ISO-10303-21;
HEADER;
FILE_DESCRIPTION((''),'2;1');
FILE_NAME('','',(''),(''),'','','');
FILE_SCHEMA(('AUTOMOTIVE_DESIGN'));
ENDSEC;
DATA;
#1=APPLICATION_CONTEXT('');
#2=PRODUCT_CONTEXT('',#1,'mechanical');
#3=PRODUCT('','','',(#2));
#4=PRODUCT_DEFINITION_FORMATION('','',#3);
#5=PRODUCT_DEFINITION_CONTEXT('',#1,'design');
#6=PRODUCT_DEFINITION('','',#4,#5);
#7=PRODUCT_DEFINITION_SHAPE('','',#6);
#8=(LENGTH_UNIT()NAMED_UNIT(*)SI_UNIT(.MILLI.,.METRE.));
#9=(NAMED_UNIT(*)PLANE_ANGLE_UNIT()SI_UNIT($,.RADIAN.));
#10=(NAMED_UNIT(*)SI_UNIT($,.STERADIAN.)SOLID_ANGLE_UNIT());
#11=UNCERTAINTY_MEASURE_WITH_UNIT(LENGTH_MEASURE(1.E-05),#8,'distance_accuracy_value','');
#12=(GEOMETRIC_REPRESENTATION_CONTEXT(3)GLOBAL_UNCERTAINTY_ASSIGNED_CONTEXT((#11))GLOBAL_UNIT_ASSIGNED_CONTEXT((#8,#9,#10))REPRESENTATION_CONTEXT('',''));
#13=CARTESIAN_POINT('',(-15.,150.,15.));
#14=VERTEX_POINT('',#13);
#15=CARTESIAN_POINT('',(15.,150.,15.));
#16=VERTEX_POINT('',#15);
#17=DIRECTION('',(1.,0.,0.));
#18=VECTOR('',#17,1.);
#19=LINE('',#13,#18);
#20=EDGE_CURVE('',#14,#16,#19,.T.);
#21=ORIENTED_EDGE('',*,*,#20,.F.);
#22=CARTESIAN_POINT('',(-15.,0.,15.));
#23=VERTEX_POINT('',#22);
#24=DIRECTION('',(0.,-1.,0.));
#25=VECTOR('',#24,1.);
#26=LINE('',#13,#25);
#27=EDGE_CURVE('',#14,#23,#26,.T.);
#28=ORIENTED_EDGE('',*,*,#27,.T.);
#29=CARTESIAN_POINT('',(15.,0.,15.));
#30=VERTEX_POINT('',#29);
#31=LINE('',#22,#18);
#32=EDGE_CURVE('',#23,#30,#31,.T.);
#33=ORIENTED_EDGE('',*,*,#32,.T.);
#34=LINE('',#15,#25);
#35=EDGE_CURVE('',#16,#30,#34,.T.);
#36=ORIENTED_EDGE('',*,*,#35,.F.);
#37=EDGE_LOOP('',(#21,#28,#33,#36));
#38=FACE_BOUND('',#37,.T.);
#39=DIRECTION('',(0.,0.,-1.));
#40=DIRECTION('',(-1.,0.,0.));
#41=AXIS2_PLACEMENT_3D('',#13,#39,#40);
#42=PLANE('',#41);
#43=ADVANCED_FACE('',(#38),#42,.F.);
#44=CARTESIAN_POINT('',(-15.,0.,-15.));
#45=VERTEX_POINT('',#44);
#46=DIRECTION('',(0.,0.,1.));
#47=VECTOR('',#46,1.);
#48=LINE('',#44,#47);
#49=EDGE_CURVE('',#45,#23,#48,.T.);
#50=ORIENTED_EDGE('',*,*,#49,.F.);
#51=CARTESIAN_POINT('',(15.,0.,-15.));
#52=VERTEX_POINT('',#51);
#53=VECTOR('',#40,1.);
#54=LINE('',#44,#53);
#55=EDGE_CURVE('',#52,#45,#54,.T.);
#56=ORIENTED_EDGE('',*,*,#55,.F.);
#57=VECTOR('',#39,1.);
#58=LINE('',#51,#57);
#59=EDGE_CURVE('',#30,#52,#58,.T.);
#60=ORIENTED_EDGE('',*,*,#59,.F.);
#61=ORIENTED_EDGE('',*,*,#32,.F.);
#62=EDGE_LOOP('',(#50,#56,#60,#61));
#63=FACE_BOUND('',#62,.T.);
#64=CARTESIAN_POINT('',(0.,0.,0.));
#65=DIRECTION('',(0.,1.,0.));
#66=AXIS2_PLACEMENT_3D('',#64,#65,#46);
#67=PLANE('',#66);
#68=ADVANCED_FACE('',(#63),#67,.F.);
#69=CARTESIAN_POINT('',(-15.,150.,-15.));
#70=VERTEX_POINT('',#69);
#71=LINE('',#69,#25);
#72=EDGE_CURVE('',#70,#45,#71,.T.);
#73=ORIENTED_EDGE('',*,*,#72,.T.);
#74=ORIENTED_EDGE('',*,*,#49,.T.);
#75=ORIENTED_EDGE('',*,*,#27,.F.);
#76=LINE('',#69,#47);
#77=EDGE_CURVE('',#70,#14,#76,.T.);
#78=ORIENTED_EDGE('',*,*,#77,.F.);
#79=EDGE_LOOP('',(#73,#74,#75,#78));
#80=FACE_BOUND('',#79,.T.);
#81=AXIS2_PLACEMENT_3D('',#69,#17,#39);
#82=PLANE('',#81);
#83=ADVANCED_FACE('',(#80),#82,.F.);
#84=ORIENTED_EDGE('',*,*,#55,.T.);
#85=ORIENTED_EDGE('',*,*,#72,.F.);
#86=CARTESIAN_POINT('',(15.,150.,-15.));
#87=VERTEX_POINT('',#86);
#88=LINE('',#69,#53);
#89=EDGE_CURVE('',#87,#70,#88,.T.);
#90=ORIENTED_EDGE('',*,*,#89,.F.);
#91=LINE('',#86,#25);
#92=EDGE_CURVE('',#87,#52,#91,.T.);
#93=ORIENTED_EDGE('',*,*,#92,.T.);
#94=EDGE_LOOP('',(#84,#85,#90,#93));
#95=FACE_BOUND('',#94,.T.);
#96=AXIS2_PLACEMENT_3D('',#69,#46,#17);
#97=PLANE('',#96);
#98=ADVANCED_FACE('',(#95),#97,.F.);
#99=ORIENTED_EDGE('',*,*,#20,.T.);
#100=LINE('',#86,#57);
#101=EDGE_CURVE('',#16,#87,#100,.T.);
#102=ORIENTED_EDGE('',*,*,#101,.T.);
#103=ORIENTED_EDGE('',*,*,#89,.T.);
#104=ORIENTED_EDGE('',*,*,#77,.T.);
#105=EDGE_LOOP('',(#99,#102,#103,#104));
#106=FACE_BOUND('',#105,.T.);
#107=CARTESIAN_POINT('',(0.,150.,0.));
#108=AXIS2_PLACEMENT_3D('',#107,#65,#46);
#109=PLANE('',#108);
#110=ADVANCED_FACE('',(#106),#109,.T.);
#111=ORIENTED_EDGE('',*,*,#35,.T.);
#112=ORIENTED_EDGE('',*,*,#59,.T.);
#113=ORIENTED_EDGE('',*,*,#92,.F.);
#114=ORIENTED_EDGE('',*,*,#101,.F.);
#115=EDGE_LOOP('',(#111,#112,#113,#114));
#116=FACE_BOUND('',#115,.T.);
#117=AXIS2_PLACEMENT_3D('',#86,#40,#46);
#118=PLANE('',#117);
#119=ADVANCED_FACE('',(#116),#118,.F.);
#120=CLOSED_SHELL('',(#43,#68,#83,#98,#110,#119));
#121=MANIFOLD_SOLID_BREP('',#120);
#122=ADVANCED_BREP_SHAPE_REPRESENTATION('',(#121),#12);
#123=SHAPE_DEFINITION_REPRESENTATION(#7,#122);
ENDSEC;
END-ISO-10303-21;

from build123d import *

# Parameters (mm, degrees)
ESQUISSE1_W        = 30
ESQUISSE1_H        = 30
BOSS_EXTRU_1_DEPTH = 150


with BuildPart() as part:
    # Esquisse1 → Boss.-Extru.1 (new body)
    with BuildSketch(Plane(origin=(0, 0, 0), x_dir=(1, 0, 0), z_dir=(0, 1, 0))):
        Rectangle(ESQUISSE1_W, ESQUISSE1_H)
    extrude(amount=BOSS_EXTRU_1_DEPTH)


solid = part.part
